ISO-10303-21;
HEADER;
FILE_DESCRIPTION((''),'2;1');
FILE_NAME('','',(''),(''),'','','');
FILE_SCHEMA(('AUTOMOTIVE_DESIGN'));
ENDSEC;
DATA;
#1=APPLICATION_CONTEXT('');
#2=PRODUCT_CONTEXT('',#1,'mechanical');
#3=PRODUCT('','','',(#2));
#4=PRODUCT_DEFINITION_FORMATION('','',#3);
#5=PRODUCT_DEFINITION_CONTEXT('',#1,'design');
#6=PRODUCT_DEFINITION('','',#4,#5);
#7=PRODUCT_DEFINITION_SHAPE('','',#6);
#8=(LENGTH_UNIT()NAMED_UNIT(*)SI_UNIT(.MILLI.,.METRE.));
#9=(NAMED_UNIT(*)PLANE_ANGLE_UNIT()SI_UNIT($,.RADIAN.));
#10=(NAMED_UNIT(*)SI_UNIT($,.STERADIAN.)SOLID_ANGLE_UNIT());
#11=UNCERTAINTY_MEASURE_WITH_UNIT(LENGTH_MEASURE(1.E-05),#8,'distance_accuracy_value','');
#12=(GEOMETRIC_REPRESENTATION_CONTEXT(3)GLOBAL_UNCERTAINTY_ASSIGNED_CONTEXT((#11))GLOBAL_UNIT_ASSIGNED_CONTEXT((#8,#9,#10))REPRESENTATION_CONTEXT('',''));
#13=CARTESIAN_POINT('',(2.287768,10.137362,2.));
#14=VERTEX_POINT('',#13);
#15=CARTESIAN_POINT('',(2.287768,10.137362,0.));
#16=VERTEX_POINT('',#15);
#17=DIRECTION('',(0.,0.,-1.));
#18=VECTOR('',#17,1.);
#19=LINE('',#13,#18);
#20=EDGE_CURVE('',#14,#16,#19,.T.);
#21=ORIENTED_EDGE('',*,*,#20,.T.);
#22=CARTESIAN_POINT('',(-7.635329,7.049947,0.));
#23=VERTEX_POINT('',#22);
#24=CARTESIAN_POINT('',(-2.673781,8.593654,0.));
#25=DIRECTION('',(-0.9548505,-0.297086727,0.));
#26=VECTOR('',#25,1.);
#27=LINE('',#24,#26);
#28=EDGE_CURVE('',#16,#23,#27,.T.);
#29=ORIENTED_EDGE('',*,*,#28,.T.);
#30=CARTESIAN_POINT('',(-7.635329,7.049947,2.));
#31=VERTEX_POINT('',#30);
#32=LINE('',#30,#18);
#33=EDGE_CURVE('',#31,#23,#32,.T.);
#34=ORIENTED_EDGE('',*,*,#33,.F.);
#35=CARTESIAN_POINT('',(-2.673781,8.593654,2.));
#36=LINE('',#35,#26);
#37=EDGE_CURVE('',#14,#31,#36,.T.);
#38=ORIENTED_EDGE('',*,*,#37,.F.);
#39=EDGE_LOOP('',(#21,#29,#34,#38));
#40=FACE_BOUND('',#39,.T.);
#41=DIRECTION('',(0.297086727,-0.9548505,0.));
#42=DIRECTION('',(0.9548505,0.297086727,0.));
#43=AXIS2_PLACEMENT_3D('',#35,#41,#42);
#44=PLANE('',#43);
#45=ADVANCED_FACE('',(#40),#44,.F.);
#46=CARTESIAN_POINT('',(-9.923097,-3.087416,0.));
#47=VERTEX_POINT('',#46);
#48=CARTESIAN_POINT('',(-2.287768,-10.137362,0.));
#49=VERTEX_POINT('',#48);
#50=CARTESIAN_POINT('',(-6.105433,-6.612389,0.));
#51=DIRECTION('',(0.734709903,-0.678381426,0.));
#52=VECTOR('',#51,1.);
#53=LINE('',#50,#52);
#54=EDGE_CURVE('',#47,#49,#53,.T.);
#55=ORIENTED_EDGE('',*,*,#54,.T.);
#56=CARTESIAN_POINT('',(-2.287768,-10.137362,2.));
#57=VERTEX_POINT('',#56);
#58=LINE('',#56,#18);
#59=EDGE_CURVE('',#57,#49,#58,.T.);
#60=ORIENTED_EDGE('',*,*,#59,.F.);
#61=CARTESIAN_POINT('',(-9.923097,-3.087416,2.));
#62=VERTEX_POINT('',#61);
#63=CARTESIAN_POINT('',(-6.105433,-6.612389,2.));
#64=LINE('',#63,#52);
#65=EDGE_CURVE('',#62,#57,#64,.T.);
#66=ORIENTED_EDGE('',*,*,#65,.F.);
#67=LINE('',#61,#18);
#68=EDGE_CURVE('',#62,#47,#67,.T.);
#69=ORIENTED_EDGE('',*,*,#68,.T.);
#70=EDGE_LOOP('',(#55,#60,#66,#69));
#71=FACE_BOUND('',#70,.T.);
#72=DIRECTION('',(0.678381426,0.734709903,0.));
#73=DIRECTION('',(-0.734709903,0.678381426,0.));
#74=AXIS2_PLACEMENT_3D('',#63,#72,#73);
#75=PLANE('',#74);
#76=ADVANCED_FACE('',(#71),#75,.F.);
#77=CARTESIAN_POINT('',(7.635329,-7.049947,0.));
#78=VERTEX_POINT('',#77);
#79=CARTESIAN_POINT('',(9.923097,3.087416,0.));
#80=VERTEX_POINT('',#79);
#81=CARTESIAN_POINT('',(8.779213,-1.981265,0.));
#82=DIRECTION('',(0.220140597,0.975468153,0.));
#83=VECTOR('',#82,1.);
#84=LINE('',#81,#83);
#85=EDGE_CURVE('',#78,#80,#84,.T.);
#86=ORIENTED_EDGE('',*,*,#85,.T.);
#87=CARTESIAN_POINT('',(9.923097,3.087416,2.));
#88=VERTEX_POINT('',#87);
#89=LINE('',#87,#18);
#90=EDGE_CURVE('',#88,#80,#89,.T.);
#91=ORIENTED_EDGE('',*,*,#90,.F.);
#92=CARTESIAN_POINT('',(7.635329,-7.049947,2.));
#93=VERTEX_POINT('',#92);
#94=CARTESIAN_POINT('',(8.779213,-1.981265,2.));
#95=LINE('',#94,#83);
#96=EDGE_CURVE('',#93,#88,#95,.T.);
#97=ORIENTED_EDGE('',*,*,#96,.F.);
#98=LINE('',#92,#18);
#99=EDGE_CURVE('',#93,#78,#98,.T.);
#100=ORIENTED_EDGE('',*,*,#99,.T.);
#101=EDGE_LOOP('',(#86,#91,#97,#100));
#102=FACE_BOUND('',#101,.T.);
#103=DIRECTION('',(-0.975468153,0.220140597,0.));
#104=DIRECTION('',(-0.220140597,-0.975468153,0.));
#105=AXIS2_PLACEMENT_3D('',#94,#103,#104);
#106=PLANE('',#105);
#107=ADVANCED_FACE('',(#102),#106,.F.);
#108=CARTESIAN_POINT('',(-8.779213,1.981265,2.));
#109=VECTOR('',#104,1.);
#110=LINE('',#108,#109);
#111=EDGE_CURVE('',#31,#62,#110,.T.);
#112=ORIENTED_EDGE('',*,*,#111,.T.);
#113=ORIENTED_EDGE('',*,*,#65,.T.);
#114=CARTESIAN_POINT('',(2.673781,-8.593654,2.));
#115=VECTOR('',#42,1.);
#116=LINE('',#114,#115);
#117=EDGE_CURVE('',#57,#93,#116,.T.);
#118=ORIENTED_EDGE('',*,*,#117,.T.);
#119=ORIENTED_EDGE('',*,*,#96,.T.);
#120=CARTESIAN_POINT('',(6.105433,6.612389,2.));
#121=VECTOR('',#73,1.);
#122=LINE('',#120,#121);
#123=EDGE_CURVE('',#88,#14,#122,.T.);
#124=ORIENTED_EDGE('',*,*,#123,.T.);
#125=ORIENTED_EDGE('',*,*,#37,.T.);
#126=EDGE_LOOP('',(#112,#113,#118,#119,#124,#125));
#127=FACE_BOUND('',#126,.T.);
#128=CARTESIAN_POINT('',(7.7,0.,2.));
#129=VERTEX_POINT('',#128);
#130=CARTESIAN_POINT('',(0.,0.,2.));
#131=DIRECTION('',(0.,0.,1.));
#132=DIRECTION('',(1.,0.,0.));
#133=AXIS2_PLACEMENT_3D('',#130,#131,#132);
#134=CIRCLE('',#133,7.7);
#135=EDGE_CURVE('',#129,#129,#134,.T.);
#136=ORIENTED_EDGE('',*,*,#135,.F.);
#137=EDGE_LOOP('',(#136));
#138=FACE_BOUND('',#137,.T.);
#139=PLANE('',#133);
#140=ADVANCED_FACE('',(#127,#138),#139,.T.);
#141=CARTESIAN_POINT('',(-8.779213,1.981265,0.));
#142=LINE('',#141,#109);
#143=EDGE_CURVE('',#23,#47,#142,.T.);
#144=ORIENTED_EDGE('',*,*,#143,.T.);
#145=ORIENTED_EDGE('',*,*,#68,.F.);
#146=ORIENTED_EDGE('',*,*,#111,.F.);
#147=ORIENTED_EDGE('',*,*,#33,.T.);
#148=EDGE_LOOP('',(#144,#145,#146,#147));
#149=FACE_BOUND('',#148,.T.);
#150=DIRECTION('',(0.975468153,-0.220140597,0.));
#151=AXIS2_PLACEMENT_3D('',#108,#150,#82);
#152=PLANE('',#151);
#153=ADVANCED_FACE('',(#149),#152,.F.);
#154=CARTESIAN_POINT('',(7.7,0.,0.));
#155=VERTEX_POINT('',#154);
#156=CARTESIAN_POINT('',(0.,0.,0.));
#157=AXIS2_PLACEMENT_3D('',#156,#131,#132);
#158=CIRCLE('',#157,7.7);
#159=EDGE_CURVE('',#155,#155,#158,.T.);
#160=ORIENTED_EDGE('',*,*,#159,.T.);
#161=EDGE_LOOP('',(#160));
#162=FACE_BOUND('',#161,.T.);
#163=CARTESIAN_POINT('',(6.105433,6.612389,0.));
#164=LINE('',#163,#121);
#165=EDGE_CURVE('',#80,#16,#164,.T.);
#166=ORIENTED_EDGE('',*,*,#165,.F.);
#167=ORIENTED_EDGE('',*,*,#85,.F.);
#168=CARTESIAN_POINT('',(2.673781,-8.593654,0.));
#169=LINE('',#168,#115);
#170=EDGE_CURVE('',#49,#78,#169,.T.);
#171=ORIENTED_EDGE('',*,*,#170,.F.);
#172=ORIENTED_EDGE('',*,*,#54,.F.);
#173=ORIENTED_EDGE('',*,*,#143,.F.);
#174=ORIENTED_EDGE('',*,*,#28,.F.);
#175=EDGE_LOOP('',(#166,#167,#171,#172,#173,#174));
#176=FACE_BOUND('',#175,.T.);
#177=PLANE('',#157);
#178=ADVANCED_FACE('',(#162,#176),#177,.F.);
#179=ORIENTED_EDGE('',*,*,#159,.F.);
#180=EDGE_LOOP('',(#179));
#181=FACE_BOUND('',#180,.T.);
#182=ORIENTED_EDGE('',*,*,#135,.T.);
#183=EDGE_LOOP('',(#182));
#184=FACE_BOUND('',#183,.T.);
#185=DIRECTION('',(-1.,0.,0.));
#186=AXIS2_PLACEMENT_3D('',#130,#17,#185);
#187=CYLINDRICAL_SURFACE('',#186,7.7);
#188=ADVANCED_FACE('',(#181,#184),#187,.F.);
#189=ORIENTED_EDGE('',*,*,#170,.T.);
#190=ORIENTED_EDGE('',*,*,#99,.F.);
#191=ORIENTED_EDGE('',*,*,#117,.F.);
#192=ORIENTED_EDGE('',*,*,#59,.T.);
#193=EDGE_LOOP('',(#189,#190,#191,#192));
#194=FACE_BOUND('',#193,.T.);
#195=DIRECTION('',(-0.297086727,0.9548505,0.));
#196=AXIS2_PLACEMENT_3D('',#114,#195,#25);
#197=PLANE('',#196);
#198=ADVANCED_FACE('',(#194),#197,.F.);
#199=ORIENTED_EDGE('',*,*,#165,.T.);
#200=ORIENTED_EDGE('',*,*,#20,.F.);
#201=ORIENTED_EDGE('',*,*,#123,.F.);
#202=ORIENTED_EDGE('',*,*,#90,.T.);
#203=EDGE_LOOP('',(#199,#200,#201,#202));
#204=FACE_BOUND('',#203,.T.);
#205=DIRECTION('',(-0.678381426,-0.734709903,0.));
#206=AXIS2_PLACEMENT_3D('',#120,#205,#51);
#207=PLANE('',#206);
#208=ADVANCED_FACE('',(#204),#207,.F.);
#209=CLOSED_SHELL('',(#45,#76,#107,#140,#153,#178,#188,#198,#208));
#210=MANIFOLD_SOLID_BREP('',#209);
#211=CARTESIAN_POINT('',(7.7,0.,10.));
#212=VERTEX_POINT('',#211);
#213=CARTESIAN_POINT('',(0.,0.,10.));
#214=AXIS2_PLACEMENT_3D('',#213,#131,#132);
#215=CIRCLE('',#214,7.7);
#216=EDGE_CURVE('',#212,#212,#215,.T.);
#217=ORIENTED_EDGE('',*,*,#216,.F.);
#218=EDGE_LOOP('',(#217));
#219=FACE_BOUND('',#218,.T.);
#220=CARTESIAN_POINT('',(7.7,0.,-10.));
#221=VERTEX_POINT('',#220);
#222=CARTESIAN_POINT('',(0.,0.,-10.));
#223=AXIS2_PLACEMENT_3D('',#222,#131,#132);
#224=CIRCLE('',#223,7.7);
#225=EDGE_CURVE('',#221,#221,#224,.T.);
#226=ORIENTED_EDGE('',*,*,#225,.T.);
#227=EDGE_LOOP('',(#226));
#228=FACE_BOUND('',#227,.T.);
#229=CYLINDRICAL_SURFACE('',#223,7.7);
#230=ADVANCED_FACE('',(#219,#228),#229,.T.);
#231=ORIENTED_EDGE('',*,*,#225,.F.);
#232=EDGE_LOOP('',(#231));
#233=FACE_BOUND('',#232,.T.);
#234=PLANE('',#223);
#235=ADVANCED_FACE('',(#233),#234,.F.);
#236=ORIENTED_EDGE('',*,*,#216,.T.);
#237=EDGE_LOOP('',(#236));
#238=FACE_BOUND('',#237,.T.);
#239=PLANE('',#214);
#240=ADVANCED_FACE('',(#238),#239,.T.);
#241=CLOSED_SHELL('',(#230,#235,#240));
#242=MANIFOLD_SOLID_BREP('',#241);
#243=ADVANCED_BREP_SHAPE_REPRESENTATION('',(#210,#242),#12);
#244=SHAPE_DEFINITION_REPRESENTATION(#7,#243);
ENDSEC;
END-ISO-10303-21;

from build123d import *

# Parameters (mm, degrees)
BOSS_EXTRUDE1_DEPTH      = 10
BOSS_EXTRUDE1_DEPTH_BACK = 10
SKETCH1_R                = 7.7
SKETCH1_3_R              = 7.7
BOSS_EXTRUDE2_DEPTH      = 2


with BuildPart() as part:
    # Sketch1 → Boss-Extrude1 (new, two sides: drawn at the far end of the back side and taken through both)
    with BuildSketch(Plane.XY.offset(-BOSS_EXTRUDE1_DEPTH_BACK)):
        Circle(SKETCH1_R)
    extrude(amount=BOSS_EXTRUDE1_DEPTH + BOSS_EXTRUDE1_DEPTH_BACK)


with BuildPart() as body_2:
    # Sketch1<3> → Boss-Extrude2 (new body)
    with BuildSketch(Plane.XY):
        Polygon((-2.287768192, -10.137362413), (7.635329281, -7.049946579), (9.923097473, 3.087415834), (2.287768192, 10.137362413), (-7.635329281, 7.049946579), (-9.923097473, -3.087415834), align=None)
        Circle(SKETCH1_3_R, mode=Mode.SUBTRACT)
    extrude(amount=BOSS_EXTRUDE2_DEPTH)


solid = Compound([part.part, body_2.part])
